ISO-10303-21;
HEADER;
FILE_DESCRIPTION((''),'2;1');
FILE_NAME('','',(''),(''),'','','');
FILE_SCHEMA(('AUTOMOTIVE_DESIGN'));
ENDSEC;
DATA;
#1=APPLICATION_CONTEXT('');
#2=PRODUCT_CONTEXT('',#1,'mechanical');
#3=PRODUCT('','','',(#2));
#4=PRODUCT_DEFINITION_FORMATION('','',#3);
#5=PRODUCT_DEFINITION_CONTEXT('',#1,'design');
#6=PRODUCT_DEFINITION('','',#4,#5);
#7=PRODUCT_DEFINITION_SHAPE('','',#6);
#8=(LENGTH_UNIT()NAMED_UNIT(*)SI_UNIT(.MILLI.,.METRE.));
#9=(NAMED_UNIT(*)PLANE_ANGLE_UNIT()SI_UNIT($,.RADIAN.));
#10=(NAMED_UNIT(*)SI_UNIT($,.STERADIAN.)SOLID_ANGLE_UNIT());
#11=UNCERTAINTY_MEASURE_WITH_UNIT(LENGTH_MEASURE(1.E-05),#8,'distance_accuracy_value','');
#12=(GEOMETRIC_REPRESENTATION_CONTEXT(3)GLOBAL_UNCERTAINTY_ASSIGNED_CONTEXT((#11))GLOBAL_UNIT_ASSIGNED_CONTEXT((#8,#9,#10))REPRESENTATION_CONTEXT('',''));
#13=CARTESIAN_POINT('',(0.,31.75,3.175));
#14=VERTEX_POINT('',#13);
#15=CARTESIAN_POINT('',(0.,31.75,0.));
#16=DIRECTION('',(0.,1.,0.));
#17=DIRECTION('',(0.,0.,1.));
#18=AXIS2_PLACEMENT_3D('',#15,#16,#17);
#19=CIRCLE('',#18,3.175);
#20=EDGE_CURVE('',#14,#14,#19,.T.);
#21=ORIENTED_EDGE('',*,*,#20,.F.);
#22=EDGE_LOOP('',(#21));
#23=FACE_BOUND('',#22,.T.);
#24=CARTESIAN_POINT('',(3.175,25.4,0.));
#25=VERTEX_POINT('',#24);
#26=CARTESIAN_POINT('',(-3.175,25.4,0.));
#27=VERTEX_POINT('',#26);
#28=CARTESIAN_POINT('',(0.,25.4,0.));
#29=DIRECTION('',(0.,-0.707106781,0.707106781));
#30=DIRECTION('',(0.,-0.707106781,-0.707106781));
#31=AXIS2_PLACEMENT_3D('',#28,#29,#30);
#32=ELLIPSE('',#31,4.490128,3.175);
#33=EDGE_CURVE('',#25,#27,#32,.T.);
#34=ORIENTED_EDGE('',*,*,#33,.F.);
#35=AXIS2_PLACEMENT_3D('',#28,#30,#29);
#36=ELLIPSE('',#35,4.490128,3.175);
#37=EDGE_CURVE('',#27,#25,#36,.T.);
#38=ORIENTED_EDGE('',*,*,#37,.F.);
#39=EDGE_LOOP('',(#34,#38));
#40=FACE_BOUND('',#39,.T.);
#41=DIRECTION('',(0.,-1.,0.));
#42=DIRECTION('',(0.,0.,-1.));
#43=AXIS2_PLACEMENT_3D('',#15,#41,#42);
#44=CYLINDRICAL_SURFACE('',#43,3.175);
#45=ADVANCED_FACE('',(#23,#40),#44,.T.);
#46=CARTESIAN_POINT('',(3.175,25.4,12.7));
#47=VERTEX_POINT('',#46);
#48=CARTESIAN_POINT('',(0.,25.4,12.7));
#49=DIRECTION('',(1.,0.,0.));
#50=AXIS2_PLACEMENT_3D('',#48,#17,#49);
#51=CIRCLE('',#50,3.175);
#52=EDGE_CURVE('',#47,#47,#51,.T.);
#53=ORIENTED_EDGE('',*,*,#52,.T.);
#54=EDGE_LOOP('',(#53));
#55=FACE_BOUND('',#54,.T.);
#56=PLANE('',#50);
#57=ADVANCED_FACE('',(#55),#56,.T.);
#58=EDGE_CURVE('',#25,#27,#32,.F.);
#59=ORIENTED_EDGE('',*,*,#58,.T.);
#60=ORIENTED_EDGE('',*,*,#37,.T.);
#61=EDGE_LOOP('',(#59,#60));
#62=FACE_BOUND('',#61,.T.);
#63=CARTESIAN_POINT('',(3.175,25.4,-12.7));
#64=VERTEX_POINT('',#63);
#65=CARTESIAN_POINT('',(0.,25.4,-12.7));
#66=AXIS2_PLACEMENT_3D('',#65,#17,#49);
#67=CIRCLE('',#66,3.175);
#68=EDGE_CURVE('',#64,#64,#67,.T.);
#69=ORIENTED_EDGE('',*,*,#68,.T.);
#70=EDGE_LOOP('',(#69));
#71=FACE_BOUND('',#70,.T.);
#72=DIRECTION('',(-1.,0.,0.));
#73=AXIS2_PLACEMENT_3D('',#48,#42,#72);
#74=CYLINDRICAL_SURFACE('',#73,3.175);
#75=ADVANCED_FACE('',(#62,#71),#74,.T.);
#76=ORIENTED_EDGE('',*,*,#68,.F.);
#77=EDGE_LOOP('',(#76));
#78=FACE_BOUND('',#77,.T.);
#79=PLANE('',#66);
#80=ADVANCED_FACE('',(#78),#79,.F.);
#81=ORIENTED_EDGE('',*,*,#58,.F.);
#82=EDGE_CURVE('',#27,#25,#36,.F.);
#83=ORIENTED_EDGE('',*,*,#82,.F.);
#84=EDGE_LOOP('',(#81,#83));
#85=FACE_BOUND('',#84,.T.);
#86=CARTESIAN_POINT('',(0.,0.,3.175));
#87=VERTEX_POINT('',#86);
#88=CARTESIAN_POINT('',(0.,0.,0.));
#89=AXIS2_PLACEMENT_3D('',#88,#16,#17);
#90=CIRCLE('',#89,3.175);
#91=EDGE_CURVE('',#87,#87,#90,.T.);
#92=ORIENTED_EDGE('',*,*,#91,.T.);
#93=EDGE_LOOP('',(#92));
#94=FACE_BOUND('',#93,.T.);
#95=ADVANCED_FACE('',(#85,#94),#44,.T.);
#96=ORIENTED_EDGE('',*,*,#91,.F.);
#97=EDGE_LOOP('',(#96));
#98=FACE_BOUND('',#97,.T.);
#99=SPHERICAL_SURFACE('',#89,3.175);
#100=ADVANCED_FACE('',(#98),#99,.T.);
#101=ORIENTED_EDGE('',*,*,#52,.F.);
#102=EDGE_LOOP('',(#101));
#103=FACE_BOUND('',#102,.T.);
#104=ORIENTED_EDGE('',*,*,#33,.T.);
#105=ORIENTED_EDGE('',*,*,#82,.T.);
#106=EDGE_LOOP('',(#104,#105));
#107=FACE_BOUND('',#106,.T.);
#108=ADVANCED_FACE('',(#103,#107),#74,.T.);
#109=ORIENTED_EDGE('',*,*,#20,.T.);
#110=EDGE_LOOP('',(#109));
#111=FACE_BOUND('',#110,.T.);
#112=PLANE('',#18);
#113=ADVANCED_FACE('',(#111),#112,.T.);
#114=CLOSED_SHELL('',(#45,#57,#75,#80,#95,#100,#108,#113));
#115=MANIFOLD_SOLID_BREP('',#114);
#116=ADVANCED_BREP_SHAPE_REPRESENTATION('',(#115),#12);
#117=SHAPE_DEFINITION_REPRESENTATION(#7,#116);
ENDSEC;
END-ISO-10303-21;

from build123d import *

# Parameters (mm, degrees)
SKETCH1_R           = 3.175
BOSS_EXTRUDE1_DEPTH = 31.75
SKETCH2_R           = 3.175
BOSS_EXTRUDE2_DEPTH = 12.7
DOME2_FACE_RADIUS   = 3.175
DOME2_HEIGHT        = 3.175


with BuildPart() as part:
    # Sketch1 → Boss-Extrude1 (new body)
    with BuildSketch(Plane(origin=(0, 0, 0), x_dir=(1, 0, 0), z_dir=(0, 1, 0))):
        Circle(SKETCH1_R)
    extrude(amount=BOSS_EXTRUDE1_DEPTH)

    # Sketch2 → Boss-Extrude2 (add, symmetric)
    with BuildSketch(Plane.XY):
        with Locations((0, 25.4)):
            Circle(SKETCH2_R)
    extrude(amount=BOSS_EXTRUDE2_DEPTH, both=True)

    # Dome2: a dome of height H over a round flat face of radius A is a cap of a sphere of radius (A * A + H * H) / (2 * H)
    dome2_r = (DOME2_FACE_RADIUS * DOME2_FACE_RADIUS + DOME2_HEIGHT * DOME2_HEIGHT) / (2 * DOME2_HEIGHT)
    dome2_base = Plane((0, 0, 0), z_dir=(0, -1, 0))
    with Locations(dome2_base.offset(DOME2_HEIGHT - dome2_r)):
        dome2_ball = Sphere(dome2_r, mode=Mode.PRIVATE)
    add(split(dome2_ball, bisect_by=dome2_base, keep=Keep.TOP, mode=Mode.PRIVATE))


solid = part.part
